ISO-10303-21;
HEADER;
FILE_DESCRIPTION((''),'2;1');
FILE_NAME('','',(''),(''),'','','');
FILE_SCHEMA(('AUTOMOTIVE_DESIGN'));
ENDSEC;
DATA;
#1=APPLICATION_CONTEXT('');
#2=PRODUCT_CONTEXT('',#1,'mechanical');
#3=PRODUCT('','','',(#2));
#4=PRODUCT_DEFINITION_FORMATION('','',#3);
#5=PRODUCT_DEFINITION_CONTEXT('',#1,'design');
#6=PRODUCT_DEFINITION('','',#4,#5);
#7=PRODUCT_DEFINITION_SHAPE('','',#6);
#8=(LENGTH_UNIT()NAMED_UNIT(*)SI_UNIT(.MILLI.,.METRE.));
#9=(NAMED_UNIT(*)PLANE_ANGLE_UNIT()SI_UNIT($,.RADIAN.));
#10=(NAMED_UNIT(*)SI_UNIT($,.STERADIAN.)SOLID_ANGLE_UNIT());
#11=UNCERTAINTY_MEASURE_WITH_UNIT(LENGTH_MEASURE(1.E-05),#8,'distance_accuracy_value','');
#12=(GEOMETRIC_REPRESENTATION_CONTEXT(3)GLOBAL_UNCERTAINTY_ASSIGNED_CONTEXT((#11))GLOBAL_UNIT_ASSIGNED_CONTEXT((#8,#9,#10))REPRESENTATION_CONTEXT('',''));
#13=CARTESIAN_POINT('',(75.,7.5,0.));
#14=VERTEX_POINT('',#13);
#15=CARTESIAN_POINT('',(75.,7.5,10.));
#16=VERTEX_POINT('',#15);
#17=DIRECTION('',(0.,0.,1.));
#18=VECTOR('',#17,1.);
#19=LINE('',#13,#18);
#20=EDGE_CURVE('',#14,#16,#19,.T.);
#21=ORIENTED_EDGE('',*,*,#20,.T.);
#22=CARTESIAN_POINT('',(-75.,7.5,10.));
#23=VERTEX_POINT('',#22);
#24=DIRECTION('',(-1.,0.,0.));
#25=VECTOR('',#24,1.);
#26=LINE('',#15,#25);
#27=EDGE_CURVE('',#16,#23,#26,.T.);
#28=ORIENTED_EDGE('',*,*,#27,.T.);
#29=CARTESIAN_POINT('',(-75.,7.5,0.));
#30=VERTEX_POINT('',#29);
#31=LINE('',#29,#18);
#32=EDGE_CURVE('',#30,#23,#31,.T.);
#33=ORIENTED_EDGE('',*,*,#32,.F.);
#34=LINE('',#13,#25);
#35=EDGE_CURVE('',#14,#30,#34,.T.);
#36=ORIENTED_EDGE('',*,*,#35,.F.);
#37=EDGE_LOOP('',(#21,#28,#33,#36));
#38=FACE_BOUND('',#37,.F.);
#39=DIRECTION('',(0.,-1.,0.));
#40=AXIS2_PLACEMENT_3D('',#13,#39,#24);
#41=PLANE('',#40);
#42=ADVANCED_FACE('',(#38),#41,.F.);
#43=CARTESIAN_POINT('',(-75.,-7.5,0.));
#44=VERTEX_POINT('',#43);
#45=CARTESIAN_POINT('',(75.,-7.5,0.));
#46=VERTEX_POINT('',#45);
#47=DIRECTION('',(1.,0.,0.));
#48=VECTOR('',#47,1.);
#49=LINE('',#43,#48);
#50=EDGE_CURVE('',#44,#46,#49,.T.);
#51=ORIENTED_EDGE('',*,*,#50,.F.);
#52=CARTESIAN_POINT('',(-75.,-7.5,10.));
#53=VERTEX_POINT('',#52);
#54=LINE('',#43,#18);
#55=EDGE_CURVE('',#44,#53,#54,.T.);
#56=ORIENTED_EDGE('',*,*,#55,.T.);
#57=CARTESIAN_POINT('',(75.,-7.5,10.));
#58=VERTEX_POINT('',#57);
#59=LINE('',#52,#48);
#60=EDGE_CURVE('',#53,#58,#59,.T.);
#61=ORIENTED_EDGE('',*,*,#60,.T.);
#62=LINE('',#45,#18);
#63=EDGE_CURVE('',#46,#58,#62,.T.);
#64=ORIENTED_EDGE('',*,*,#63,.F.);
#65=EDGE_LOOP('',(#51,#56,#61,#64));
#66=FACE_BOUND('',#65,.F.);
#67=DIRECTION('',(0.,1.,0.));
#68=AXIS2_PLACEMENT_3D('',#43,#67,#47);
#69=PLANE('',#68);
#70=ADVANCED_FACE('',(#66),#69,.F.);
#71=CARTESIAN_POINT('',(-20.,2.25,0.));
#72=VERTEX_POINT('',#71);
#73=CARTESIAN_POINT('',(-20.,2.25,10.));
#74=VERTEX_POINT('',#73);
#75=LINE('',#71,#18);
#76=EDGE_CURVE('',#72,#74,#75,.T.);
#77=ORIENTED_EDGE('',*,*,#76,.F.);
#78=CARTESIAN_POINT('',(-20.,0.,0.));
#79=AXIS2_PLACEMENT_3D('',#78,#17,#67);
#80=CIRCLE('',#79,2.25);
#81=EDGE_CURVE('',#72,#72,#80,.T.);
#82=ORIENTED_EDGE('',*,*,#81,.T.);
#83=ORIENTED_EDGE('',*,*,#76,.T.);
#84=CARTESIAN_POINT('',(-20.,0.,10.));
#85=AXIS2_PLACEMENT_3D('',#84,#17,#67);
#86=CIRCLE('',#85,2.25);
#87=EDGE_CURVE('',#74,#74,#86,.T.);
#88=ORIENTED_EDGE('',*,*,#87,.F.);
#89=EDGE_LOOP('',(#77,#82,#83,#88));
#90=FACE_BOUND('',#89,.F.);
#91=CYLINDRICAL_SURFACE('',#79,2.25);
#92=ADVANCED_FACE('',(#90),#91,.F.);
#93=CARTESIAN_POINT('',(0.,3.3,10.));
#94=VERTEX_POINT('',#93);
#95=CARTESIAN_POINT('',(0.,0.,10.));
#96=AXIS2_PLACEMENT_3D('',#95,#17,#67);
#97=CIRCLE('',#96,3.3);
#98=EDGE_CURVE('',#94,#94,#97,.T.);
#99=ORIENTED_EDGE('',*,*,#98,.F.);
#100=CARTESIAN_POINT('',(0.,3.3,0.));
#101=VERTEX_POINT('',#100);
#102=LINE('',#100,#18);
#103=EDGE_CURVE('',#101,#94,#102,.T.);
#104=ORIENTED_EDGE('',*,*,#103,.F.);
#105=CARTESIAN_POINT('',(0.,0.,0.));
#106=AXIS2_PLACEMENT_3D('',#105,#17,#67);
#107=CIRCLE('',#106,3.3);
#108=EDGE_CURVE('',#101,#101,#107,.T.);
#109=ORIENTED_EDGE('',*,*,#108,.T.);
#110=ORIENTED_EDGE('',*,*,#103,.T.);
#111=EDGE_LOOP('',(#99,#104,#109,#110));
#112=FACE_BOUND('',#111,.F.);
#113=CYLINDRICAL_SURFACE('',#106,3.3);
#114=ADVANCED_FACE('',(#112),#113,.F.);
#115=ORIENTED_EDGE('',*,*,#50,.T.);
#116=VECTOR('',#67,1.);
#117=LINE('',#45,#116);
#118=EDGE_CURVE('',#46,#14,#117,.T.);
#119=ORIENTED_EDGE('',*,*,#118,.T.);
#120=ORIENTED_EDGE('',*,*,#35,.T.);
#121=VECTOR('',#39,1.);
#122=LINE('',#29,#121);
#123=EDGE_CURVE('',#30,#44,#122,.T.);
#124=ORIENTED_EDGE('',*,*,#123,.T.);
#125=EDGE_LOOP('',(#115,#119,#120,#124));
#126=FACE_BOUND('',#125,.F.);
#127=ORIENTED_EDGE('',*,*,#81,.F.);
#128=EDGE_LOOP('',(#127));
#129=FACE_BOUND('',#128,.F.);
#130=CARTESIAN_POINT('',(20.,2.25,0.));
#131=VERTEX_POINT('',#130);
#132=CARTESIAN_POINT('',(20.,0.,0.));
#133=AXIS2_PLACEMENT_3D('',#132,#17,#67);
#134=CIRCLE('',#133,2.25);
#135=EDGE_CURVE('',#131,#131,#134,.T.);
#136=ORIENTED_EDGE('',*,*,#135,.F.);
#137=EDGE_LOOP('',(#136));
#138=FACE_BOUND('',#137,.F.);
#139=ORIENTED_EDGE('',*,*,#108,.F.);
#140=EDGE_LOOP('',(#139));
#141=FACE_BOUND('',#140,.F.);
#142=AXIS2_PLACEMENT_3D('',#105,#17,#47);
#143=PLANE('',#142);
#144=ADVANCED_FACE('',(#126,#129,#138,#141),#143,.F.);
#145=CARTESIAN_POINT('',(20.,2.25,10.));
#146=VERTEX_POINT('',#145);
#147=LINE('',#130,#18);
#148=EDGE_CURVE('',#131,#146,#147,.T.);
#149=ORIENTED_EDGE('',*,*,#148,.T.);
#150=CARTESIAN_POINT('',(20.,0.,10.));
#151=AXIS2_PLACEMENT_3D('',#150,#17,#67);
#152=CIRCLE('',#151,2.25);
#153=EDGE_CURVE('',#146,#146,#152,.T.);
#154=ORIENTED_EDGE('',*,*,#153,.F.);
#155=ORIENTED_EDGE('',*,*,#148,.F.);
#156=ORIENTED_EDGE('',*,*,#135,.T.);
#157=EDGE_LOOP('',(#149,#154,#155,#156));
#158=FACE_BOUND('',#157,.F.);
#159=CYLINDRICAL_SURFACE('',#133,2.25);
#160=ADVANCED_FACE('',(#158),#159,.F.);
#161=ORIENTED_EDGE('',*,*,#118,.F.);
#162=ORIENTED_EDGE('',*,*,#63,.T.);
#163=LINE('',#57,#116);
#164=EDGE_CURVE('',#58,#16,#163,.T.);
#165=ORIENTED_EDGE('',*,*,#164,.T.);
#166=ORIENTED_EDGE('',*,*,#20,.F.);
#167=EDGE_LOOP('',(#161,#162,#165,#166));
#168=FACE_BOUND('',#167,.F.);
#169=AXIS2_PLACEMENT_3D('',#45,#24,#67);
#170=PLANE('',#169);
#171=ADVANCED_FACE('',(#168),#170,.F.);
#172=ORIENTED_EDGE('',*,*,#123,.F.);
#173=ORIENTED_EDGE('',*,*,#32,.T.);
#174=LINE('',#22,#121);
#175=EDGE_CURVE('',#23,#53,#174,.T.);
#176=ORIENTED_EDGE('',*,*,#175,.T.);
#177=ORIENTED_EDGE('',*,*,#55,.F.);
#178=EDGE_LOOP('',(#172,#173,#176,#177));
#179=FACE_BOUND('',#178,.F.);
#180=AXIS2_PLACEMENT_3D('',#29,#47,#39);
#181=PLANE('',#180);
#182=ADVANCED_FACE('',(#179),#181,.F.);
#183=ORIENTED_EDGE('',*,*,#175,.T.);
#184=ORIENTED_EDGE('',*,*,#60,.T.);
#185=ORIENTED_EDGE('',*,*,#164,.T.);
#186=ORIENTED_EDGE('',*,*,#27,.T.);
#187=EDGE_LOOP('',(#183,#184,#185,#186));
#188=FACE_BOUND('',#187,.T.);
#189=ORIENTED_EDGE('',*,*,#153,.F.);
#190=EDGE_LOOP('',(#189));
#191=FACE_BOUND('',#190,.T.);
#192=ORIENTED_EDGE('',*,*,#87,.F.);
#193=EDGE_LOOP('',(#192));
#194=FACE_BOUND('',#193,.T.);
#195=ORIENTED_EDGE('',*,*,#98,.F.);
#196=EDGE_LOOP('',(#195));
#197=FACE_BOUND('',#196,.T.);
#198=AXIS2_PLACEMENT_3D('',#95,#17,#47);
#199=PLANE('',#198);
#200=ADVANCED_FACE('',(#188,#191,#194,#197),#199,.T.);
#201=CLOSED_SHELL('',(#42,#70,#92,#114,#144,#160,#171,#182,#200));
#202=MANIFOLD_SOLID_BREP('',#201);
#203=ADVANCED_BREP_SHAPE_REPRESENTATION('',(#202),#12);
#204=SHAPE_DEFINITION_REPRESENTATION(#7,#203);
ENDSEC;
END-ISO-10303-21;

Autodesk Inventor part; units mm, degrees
ref_plane "YZ Plane" through (0, 0, 0) normal (1, 0, 0) x (0, 1, 0)
ref_plane "XZ Plane" through (0, 0, 0) normal (0, 1, 0) x (-1, 0, 0)
ref_plane "XY Plane" through (0, 0, 0) normal (0, 0, 1) x (1, 0, 0)
sketch "Skizze1" plane through (0, 0, 0) normal (0, 0, 1) x (1, 0, 0)
  line L0 (75, 7.5) -> (-75, 7.5)
  line L1 (-75, 7.5) -> (-75, -7.5)
  line L2 (-75, -7.5) -> (75, -7.5)
  line L3 (75, -7.5) -> (75, 7.5)
  line L4 (75, 7.5) -> (-75, -7.5) construction
  line L5 (-75, 7.5) -> (75, -7.5) construction
  line L6 (-20, 0) -> (20, 0) construction
  point P0 (0, 0)
  point P1 (0, 0)
  point P2 (0, 0)
  dimension "d0" = 40
  dimension "d1" = 15
  dimension "d2" = 150
extrude "Extrusion1" add sketch "Skizze1" along normal blind 10
hole "Bohrung1" at (-20, 0, 0) at (20, 0, 0) direction (0, 0, 1) diameter 4.5 end through all clearance for "Inbusschraube DIN EN ISO 4762" size "M4" standard "DIN"
hole "Bohrung2" at (0, 0, 0) direction (0, 0, 1) diameter 6.6 end through all clearance for "Sechskantkopfschraube DIN EN 24017" size "M6" standard "DIN"
properties part number "ParallelMecha_V2_BaseFormation_Proximal"
